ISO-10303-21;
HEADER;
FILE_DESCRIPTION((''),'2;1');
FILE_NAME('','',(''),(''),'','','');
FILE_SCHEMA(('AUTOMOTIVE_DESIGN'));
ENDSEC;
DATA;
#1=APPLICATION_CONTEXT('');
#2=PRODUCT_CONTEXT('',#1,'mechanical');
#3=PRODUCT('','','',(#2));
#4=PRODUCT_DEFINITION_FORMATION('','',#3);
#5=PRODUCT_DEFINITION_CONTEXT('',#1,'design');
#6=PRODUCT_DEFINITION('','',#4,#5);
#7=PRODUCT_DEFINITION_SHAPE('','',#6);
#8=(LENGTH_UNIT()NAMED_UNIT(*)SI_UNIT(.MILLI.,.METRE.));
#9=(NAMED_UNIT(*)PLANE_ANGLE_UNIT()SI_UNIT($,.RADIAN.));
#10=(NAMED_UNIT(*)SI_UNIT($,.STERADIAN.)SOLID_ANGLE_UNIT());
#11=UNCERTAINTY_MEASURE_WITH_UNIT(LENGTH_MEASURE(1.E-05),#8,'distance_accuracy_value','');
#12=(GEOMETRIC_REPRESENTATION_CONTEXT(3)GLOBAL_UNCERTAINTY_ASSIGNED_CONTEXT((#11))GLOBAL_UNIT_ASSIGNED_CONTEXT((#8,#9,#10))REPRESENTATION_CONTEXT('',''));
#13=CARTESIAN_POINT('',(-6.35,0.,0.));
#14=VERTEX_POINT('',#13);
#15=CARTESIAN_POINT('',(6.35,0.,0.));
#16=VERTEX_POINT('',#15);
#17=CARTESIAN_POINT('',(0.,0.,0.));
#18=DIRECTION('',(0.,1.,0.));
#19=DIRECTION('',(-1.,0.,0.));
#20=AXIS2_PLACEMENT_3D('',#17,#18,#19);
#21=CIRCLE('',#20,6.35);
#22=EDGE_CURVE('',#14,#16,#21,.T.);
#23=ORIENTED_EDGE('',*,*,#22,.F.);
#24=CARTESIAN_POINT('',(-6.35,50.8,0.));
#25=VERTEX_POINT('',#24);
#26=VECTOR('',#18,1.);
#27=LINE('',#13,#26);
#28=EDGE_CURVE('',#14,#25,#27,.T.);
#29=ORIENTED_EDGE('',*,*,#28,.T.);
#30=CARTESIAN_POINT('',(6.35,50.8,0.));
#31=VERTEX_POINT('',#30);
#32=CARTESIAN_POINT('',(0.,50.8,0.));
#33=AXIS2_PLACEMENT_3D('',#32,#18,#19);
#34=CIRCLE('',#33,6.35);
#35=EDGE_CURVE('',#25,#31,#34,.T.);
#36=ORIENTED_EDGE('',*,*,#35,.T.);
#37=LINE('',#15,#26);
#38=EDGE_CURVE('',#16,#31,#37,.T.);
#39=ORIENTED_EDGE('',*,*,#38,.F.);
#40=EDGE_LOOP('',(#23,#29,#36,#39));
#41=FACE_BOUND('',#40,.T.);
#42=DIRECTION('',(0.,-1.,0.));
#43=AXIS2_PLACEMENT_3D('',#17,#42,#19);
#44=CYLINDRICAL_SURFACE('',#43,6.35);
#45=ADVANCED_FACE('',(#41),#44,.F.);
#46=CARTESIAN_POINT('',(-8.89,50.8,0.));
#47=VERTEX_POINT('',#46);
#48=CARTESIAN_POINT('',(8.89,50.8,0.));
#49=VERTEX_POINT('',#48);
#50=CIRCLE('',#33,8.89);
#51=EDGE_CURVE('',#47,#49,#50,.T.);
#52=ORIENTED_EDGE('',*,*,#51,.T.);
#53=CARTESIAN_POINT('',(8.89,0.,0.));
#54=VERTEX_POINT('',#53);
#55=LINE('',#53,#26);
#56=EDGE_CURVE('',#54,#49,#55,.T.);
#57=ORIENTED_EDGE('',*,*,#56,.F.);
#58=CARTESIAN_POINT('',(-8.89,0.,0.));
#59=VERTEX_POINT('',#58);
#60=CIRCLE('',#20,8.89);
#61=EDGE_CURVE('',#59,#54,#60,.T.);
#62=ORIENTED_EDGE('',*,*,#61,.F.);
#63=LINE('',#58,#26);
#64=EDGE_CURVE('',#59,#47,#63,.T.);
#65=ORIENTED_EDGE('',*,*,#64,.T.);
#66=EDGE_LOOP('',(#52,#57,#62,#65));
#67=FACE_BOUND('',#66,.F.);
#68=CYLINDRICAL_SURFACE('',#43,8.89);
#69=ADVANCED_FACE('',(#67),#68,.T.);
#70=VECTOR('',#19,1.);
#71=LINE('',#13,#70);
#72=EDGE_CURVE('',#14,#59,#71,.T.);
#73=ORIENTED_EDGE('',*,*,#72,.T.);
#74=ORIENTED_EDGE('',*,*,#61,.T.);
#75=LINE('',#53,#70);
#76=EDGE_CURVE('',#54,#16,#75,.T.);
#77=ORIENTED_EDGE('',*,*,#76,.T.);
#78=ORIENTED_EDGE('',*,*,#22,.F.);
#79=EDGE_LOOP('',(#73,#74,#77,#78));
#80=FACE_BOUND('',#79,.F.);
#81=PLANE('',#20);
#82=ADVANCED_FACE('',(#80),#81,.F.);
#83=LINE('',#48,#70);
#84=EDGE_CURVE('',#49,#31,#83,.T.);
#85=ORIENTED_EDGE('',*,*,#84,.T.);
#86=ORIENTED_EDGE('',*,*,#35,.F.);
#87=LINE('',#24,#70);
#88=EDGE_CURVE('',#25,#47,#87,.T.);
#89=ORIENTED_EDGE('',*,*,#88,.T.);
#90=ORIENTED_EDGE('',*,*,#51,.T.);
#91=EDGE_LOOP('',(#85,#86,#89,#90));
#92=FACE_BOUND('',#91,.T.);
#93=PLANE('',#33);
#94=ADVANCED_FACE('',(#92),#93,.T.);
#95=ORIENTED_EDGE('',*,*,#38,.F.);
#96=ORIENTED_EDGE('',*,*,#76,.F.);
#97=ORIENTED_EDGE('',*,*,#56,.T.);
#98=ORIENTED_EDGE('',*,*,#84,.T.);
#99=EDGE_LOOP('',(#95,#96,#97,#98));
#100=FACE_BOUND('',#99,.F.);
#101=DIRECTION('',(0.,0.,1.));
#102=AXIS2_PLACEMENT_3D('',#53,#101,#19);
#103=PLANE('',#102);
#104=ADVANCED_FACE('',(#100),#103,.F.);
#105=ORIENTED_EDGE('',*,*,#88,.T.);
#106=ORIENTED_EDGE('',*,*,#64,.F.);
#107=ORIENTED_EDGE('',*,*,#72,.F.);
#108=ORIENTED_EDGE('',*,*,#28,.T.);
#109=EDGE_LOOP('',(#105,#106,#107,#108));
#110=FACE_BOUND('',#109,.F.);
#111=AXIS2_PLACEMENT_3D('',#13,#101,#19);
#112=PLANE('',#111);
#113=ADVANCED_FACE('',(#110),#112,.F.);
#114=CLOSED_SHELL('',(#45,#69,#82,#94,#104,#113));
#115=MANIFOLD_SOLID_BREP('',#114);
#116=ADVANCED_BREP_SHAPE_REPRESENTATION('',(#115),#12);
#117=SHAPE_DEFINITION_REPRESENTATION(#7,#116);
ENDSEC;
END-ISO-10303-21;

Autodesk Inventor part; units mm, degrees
ref_plane "YZ Plane" through (0, 0, 0) normal (1, 0, 0) x (0, 1, 0)
ref_plane "XZ Plane" through (0, 0, 0) normal (0, 1, 0) x (-1, 0, 0)
ref_plane "XY Plane" through (0, 0, 0) normal (0, 0, 1) x (1, 0, 0)
sketch "Sketch1" plane through (0, 0, 0) normal (0, 1, 0) x (-1, 0, 0)
  arc A0 (8.89, 0) -> (-8.89, 0) centre (0, 0) ccw
  arc A1 (6.35, 0) -> (-6.35, 0) centre (0, 0) ccw
  line L0 (-8.89, 0) -> (-6.35, 0)
  line L1 (6.35, 0) -> (8.89, 0)
  dimension "d0" = 17.78
  dimension "d1" = 2.54
extrude "Extrusion1" add sketch "Sketch1" along normal blind 50.8
properties part number "feedCableStay2"
